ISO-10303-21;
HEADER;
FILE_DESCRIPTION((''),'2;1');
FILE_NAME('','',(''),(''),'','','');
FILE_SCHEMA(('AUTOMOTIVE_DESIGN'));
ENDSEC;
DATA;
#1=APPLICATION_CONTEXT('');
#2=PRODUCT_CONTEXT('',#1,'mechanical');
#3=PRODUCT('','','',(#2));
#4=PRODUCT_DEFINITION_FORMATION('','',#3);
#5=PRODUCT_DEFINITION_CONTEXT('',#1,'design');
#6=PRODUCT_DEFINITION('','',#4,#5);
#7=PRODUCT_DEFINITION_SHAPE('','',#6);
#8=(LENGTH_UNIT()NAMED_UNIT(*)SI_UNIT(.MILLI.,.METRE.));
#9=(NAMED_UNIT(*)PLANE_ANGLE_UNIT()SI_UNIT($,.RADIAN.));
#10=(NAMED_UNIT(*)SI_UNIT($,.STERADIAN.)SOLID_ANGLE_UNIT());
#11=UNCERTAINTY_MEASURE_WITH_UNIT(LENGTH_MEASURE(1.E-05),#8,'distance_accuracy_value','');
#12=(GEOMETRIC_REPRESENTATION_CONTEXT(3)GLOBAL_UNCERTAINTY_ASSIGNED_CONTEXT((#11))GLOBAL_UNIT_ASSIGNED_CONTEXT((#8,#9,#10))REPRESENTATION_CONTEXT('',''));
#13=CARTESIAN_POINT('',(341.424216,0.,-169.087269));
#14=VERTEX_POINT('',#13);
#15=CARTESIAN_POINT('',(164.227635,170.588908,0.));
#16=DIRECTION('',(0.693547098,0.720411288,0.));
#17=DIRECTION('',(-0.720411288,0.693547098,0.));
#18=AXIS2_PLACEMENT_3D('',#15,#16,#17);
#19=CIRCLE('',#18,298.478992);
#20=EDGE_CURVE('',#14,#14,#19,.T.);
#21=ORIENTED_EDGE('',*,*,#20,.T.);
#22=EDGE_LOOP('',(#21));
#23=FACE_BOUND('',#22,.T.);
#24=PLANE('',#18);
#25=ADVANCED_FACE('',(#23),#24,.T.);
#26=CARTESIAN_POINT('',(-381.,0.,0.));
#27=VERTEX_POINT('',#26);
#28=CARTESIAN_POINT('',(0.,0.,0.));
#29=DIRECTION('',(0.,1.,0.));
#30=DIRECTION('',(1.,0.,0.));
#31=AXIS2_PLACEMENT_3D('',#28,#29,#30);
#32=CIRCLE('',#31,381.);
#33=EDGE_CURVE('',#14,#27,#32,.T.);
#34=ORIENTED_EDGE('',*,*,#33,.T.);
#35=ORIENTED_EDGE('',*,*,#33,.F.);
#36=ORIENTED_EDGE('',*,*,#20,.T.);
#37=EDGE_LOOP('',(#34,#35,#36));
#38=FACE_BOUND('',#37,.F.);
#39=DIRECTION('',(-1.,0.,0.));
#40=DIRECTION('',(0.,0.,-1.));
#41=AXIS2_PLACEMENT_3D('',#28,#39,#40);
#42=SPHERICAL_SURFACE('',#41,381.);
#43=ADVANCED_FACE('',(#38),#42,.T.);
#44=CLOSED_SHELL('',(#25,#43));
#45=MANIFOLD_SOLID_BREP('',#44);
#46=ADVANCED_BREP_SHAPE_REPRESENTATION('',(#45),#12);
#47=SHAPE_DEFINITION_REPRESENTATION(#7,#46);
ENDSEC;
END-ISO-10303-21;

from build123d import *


with BuildPart() as part:
    # Sketch2 → Revolve1 (revolve)
    with BuildSketch(Plane(origin=(0, 0, 0), x_dir=(1, 0, 0), z_dir=(0, 1, 0))):
        with BuildLine():
            Line((-381, 0), (381, 0))
            ThreePointArc((381, 0), (0, 381), (-381, 0))
        make_face()
    revolve(axis=Axis((-381, 0, 0), (1, 0, 0)))

    # SurfaceCut1
    split(bisect_by=Plane(origin=(164.227634794, 170.588907734, 0), x_dir=(-0.720411288, 0.693547098, 0), z_dir=(0.693547098, 0.720411288, 0)), keep=Keep.BOTTOM)


solid = part.part
